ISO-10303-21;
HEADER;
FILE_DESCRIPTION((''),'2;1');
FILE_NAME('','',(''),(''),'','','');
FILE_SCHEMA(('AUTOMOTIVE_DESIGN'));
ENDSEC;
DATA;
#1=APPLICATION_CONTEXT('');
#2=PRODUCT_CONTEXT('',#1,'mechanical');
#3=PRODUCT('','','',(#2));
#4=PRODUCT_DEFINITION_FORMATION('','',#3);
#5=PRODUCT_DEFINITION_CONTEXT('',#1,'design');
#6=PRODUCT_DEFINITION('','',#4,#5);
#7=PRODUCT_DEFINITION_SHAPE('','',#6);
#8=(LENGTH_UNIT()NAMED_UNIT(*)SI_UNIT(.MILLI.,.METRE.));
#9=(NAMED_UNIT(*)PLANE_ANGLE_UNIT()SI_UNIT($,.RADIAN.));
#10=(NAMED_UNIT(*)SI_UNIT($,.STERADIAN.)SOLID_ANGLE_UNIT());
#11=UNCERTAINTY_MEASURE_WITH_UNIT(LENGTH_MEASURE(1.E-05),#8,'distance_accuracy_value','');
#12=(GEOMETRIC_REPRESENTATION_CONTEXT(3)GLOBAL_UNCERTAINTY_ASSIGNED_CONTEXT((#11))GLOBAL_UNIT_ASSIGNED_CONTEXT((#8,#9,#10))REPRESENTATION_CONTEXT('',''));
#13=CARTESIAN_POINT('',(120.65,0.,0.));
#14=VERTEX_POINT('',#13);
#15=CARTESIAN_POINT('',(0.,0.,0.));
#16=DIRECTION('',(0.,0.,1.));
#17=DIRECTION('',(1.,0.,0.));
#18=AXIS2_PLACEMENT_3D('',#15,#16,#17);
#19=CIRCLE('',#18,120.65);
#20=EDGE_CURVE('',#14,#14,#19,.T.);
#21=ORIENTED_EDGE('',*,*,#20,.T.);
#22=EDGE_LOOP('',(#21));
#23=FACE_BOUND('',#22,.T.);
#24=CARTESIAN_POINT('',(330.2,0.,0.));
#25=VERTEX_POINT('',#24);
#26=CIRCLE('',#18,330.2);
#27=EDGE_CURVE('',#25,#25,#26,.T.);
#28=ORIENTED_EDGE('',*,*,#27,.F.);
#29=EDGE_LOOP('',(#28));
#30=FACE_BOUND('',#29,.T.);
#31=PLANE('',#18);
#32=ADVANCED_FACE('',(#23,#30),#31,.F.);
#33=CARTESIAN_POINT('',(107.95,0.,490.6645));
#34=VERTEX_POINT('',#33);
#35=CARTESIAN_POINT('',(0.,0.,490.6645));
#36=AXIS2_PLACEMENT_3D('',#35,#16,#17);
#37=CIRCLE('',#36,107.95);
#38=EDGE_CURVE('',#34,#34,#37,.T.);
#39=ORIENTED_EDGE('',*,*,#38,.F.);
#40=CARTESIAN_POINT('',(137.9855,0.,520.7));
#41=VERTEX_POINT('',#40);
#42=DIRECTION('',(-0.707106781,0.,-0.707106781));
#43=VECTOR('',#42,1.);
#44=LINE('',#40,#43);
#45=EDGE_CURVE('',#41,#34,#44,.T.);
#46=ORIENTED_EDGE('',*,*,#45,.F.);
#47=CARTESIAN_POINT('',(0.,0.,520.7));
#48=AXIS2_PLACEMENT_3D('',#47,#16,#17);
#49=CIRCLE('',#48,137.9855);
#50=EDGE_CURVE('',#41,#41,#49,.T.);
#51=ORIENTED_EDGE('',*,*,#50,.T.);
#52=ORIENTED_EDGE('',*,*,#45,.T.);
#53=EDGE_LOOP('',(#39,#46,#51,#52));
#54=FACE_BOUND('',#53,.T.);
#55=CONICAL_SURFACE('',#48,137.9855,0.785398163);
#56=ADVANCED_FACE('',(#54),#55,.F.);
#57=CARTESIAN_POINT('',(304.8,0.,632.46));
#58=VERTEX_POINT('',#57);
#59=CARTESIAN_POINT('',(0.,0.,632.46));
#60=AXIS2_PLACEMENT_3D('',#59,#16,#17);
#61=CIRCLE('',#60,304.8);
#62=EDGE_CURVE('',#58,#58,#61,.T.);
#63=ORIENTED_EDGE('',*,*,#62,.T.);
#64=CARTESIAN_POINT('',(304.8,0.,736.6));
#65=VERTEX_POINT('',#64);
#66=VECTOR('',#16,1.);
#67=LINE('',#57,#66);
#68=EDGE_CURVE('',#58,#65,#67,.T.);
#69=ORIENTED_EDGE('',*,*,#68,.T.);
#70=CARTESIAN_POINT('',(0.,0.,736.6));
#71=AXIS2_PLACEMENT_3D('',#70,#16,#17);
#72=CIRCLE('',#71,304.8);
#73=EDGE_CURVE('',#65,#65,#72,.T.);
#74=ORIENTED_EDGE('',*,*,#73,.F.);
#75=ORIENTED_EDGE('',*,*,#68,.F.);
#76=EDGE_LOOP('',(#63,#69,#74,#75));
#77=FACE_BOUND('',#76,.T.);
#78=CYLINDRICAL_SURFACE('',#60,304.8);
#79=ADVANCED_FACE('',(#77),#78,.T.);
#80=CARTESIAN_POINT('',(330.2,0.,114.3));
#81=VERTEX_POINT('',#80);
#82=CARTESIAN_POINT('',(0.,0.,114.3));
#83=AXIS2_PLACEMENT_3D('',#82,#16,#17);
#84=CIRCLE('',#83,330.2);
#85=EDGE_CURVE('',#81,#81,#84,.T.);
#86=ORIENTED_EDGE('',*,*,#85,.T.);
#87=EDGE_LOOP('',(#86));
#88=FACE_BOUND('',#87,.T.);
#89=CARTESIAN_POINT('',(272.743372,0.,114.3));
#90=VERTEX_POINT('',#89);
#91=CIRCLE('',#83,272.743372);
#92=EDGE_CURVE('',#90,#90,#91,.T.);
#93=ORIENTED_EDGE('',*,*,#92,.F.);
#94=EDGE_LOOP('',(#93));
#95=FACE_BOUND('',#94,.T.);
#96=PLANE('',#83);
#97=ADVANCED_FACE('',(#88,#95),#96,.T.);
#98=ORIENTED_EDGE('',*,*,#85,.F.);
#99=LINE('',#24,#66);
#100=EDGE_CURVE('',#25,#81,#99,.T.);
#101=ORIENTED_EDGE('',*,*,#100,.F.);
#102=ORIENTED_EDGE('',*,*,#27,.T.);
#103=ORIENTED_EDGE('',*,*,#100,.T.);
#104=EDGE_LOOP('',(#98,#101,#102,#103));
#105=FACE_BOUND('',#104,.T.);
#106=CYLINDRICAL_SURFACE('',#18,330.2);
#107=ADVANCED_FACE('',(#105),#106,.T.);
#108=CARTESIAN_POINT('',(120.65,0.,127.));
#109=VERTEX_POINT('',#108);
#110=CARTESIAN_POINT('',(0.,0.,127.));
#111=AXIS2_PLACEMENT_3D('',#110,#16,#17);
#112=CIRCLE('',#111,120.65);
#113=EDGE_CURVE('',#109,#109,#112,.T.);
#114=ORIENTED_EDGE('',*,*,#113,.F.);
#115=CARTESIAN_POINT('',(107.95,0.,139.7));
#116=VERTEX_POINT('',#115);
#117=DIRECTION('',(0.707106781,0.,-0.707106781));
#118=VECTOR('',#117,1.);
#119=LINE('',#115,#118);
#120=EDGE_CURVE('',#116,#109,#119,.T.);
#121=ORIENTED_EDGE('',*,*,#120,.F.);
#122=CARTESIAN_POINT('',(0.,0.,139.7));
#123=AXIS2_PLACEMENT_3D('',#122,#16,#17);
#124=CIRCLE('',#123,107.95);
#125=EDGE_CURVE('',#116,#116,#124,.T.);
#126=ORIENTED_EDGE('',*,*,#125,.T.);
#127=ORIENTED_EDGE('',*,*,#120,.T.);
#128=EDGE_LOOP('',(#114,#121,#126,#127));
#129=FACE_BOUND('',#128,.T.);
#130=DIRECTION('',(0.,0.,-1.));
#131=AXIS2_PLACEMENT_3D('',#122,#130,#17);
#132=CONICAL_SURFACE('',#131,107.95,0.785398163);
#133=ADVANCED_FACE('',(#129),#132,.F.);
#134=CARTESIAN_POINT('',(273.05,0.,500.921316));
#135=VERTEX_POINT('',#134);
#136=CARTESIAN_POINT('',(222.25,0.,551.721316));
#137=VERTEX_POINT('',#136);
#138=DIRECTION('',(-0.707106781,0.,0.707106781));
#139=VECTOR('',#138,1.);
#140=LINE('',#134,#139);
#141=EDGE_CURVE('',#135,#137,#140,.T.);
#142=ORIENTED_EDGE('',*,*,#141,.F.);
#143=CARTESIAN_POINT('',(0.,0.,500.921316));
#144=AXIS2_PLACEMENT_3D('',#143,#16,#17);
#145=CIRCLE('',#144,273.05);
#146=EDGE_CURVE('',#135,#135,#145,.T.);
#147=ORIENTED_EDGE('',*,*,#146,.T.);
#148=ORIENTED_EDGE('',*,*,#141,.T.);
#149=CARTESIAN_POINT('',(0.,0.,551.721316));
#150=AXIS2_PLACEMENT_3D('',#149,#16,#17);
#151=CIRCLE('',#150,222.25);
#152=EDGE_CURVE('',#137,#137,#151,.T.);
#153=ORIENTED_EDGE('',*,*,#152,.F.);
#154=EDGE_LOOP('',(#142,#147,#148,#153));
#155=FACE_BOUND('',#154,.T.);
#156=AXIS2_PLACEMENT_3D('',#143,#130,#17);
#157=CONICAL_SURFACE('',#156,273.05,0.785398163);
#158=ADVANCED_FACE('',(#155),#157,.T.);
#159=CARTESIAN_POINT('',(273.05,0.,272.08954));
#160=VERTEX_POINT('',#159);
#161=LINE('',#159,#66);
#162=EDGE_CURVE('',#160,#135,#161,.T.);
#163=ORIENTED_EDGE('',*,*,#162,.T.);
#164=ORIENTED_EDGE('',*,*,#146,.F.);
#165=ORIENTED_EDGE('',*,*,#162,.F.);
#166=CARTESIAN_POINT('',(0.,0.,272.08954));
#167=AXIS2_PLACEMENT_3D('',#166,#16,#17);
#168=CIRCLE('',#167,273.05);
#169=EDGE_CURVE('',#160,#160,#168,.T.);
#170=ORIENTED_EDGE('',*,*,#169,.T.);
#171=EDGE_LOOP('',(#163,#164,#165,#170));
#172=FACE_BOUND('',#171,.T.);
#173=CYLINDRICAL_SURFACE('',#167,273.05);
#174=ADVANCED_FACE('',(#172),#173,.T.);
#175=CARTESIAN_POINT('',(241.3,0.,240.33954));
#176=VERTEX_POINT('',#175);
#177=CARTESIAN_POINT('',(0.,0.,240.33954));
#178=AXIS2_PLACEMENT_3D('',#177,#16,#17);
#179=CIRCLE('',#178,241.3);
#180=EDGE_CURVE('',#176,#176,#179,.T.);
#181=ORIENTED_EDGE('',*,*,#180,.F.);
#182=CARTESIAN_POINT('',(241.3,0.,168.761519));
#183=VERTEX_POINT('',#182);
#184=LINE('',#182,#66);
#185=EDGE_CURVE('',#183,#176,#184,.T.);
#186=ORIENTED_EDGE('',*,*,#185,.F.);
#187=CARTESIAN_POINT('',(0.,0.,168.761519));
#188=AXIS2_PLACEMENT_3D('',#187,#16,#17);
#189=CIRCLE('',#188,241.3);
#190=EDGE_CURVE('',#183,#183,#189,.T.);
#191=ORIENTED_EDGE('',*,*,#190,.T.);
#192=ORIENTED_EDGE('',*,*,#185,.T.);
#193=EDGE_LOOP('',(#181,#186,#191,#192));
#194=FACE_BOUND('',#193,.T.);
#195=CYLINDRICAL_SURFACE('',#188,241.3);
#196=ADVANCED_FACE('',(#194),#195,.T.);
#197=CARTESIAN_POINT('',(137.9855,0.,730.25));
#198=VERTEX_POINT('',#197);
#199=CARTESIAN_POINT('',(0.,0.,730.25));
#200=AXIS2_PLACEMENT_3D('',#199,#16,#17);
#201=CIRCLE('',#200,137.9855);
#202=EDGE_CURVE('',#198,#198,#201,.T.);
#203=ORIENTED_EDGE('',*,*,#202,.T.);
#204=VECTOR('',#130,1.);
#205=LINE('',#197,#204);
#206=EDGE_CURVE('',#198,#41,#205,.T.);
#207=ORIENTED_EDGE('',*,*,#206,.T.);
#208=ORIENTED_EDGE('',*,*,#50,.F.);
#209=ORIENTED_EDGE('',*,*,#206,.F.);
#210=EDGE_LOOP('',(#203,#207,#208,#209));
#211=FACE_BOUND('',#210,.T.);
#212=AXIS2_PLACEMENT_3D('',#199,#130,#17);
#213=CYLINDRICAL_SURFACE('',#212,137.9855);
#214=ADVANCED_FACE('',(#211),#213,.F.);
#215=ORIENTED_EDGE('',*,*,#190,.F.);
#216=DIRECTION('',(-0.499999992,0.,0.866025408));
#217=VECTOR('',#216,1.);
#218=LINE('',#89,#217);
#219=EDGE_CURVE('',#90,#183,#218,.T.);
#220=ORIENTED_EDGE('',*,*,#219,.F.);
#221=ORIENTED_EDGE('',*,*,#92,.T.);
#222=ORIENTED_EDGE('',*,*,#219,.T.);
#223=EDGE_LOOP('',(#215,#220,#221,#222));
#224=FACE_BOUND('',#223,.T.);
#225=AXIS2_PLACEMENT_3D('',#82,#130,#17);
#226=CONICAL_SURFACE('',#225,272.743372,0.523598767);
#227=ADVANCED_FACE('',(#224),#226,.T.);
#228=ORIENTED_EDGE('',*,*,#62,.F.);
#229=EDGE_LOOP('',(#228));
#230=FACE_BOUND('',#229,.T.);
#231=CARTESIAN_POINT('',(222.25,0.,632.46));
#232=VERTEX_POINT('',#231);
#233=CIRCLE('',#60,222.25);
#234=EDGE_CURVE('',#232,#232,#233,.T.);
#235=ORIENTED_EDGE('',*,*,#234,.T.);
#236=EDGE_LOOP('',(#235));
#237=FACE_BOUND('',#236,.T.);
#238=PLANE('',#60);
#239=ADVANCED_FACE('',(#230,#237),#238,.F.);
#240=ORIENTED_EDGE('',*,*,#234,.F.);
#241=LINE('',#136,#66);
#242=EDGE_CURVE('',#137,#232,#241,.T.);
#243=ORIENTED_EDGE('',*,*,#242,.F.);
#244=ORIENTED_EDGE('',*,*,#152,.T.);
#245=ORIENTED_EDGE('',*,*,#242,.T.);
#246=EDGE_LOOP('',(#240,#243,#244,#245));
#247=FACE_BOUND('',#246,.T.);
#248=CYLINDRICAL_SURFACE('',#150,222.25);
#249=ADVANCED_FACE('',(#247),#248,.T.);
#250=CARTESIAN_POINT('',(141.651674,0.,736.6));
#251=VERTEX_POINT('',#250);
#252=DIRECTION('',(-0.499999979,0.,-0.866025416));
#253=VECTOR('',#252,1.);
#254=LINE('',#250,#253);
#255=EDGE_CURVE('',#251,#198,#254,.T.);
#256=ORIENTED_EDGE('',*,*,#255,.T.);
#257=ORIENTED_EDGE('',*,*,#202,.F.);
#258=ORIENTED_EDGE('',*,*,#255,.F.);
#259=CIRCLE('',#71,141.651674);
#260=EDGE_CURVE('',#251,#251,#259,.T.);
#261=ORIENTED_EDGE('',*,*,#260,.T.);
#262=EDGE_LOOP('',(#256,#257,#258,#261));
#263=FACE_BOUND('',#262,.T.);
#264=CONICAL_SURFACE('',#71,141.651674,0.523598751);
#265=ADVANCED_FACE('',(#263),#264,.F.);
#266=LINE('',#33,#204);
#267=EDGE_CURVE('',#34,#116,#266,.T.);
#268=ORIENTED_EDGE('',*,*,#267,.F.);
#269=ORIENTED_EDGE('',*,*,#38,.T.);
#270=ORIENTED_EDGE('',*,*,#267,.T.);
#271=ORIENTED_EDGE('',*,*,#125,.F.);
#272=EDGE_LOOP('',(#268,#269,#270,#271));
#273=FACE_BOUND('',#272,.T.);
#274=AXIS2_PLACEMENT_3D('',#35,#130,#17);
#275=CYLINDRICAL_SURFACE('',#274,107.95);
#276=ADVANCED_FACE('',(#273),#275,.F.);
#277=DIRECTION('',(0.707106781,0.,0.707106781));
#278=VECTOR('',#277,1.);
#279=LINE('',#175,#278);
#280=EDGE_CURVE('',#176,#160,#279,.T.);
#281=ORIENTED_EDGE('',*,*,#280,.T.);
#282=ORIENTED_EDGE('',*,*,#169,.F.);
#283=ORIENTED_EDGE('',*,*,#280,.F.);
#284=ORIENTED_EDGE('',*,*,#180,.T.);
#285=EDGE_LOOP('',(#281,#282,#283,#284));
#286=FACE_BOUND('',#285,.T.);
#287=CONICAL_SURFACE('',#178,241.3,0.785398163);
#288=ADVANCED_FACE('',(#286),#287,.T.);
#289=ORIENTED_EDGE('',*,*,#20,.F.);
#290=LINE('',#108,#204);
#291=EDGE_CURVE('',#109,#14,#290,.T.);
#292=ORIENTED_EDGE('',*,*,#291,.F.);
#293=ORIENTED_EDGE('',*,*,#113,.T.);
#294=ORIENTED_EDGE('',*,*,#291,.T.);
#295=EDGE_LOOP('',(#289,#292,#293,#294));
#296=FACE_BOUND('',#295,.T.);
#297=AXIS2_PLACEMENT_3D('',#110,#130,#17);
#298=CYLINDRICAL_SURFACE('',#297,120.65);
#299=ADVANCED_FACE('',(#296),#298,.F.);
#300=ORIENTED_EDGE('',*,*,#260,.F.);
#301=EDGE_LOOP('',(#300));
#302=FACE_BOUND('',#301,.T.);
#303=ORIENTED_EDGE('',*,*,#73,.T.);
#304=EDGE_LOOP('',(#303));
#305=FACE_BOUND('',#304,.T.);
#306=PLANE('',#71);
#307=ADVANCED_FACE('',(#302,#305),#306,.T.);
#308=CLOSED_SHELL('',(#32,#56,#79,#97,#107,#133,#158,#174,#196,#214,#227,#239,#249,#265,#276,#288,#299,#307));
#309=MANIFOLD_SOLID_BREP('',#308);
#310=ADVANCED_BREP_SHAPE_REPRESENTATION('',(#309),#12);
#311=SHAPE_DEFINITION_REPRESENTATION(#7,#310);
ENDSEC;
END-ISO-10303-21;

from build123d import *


with BuildPart() as f1:
    # F0 (on Front) → F1 (revolve)
    with BuildSketch(Plane.XZ):
        Polygon((120.65, 127), (120.65, 0), (330.2, 0), (330.2, 114.3), (272.743372, 114.3), (241.3, 168.761519), (241.3, 240.33954), (273.05, 272.08954), (273.05, 500.921316), (222.25, 551.721316), (222.25, 632.46), (304.8, 632.46), (304.8, 736.6), (141.651674, 736.6), (137.9855, 730.25), (137.9855, 520.7), (107.95, 490.6645), (107.95, 139.7), align=None)
    revolve(axis=Axis((0, 0, 258.389268), (0, 0, 1)))


solid = f1.part
